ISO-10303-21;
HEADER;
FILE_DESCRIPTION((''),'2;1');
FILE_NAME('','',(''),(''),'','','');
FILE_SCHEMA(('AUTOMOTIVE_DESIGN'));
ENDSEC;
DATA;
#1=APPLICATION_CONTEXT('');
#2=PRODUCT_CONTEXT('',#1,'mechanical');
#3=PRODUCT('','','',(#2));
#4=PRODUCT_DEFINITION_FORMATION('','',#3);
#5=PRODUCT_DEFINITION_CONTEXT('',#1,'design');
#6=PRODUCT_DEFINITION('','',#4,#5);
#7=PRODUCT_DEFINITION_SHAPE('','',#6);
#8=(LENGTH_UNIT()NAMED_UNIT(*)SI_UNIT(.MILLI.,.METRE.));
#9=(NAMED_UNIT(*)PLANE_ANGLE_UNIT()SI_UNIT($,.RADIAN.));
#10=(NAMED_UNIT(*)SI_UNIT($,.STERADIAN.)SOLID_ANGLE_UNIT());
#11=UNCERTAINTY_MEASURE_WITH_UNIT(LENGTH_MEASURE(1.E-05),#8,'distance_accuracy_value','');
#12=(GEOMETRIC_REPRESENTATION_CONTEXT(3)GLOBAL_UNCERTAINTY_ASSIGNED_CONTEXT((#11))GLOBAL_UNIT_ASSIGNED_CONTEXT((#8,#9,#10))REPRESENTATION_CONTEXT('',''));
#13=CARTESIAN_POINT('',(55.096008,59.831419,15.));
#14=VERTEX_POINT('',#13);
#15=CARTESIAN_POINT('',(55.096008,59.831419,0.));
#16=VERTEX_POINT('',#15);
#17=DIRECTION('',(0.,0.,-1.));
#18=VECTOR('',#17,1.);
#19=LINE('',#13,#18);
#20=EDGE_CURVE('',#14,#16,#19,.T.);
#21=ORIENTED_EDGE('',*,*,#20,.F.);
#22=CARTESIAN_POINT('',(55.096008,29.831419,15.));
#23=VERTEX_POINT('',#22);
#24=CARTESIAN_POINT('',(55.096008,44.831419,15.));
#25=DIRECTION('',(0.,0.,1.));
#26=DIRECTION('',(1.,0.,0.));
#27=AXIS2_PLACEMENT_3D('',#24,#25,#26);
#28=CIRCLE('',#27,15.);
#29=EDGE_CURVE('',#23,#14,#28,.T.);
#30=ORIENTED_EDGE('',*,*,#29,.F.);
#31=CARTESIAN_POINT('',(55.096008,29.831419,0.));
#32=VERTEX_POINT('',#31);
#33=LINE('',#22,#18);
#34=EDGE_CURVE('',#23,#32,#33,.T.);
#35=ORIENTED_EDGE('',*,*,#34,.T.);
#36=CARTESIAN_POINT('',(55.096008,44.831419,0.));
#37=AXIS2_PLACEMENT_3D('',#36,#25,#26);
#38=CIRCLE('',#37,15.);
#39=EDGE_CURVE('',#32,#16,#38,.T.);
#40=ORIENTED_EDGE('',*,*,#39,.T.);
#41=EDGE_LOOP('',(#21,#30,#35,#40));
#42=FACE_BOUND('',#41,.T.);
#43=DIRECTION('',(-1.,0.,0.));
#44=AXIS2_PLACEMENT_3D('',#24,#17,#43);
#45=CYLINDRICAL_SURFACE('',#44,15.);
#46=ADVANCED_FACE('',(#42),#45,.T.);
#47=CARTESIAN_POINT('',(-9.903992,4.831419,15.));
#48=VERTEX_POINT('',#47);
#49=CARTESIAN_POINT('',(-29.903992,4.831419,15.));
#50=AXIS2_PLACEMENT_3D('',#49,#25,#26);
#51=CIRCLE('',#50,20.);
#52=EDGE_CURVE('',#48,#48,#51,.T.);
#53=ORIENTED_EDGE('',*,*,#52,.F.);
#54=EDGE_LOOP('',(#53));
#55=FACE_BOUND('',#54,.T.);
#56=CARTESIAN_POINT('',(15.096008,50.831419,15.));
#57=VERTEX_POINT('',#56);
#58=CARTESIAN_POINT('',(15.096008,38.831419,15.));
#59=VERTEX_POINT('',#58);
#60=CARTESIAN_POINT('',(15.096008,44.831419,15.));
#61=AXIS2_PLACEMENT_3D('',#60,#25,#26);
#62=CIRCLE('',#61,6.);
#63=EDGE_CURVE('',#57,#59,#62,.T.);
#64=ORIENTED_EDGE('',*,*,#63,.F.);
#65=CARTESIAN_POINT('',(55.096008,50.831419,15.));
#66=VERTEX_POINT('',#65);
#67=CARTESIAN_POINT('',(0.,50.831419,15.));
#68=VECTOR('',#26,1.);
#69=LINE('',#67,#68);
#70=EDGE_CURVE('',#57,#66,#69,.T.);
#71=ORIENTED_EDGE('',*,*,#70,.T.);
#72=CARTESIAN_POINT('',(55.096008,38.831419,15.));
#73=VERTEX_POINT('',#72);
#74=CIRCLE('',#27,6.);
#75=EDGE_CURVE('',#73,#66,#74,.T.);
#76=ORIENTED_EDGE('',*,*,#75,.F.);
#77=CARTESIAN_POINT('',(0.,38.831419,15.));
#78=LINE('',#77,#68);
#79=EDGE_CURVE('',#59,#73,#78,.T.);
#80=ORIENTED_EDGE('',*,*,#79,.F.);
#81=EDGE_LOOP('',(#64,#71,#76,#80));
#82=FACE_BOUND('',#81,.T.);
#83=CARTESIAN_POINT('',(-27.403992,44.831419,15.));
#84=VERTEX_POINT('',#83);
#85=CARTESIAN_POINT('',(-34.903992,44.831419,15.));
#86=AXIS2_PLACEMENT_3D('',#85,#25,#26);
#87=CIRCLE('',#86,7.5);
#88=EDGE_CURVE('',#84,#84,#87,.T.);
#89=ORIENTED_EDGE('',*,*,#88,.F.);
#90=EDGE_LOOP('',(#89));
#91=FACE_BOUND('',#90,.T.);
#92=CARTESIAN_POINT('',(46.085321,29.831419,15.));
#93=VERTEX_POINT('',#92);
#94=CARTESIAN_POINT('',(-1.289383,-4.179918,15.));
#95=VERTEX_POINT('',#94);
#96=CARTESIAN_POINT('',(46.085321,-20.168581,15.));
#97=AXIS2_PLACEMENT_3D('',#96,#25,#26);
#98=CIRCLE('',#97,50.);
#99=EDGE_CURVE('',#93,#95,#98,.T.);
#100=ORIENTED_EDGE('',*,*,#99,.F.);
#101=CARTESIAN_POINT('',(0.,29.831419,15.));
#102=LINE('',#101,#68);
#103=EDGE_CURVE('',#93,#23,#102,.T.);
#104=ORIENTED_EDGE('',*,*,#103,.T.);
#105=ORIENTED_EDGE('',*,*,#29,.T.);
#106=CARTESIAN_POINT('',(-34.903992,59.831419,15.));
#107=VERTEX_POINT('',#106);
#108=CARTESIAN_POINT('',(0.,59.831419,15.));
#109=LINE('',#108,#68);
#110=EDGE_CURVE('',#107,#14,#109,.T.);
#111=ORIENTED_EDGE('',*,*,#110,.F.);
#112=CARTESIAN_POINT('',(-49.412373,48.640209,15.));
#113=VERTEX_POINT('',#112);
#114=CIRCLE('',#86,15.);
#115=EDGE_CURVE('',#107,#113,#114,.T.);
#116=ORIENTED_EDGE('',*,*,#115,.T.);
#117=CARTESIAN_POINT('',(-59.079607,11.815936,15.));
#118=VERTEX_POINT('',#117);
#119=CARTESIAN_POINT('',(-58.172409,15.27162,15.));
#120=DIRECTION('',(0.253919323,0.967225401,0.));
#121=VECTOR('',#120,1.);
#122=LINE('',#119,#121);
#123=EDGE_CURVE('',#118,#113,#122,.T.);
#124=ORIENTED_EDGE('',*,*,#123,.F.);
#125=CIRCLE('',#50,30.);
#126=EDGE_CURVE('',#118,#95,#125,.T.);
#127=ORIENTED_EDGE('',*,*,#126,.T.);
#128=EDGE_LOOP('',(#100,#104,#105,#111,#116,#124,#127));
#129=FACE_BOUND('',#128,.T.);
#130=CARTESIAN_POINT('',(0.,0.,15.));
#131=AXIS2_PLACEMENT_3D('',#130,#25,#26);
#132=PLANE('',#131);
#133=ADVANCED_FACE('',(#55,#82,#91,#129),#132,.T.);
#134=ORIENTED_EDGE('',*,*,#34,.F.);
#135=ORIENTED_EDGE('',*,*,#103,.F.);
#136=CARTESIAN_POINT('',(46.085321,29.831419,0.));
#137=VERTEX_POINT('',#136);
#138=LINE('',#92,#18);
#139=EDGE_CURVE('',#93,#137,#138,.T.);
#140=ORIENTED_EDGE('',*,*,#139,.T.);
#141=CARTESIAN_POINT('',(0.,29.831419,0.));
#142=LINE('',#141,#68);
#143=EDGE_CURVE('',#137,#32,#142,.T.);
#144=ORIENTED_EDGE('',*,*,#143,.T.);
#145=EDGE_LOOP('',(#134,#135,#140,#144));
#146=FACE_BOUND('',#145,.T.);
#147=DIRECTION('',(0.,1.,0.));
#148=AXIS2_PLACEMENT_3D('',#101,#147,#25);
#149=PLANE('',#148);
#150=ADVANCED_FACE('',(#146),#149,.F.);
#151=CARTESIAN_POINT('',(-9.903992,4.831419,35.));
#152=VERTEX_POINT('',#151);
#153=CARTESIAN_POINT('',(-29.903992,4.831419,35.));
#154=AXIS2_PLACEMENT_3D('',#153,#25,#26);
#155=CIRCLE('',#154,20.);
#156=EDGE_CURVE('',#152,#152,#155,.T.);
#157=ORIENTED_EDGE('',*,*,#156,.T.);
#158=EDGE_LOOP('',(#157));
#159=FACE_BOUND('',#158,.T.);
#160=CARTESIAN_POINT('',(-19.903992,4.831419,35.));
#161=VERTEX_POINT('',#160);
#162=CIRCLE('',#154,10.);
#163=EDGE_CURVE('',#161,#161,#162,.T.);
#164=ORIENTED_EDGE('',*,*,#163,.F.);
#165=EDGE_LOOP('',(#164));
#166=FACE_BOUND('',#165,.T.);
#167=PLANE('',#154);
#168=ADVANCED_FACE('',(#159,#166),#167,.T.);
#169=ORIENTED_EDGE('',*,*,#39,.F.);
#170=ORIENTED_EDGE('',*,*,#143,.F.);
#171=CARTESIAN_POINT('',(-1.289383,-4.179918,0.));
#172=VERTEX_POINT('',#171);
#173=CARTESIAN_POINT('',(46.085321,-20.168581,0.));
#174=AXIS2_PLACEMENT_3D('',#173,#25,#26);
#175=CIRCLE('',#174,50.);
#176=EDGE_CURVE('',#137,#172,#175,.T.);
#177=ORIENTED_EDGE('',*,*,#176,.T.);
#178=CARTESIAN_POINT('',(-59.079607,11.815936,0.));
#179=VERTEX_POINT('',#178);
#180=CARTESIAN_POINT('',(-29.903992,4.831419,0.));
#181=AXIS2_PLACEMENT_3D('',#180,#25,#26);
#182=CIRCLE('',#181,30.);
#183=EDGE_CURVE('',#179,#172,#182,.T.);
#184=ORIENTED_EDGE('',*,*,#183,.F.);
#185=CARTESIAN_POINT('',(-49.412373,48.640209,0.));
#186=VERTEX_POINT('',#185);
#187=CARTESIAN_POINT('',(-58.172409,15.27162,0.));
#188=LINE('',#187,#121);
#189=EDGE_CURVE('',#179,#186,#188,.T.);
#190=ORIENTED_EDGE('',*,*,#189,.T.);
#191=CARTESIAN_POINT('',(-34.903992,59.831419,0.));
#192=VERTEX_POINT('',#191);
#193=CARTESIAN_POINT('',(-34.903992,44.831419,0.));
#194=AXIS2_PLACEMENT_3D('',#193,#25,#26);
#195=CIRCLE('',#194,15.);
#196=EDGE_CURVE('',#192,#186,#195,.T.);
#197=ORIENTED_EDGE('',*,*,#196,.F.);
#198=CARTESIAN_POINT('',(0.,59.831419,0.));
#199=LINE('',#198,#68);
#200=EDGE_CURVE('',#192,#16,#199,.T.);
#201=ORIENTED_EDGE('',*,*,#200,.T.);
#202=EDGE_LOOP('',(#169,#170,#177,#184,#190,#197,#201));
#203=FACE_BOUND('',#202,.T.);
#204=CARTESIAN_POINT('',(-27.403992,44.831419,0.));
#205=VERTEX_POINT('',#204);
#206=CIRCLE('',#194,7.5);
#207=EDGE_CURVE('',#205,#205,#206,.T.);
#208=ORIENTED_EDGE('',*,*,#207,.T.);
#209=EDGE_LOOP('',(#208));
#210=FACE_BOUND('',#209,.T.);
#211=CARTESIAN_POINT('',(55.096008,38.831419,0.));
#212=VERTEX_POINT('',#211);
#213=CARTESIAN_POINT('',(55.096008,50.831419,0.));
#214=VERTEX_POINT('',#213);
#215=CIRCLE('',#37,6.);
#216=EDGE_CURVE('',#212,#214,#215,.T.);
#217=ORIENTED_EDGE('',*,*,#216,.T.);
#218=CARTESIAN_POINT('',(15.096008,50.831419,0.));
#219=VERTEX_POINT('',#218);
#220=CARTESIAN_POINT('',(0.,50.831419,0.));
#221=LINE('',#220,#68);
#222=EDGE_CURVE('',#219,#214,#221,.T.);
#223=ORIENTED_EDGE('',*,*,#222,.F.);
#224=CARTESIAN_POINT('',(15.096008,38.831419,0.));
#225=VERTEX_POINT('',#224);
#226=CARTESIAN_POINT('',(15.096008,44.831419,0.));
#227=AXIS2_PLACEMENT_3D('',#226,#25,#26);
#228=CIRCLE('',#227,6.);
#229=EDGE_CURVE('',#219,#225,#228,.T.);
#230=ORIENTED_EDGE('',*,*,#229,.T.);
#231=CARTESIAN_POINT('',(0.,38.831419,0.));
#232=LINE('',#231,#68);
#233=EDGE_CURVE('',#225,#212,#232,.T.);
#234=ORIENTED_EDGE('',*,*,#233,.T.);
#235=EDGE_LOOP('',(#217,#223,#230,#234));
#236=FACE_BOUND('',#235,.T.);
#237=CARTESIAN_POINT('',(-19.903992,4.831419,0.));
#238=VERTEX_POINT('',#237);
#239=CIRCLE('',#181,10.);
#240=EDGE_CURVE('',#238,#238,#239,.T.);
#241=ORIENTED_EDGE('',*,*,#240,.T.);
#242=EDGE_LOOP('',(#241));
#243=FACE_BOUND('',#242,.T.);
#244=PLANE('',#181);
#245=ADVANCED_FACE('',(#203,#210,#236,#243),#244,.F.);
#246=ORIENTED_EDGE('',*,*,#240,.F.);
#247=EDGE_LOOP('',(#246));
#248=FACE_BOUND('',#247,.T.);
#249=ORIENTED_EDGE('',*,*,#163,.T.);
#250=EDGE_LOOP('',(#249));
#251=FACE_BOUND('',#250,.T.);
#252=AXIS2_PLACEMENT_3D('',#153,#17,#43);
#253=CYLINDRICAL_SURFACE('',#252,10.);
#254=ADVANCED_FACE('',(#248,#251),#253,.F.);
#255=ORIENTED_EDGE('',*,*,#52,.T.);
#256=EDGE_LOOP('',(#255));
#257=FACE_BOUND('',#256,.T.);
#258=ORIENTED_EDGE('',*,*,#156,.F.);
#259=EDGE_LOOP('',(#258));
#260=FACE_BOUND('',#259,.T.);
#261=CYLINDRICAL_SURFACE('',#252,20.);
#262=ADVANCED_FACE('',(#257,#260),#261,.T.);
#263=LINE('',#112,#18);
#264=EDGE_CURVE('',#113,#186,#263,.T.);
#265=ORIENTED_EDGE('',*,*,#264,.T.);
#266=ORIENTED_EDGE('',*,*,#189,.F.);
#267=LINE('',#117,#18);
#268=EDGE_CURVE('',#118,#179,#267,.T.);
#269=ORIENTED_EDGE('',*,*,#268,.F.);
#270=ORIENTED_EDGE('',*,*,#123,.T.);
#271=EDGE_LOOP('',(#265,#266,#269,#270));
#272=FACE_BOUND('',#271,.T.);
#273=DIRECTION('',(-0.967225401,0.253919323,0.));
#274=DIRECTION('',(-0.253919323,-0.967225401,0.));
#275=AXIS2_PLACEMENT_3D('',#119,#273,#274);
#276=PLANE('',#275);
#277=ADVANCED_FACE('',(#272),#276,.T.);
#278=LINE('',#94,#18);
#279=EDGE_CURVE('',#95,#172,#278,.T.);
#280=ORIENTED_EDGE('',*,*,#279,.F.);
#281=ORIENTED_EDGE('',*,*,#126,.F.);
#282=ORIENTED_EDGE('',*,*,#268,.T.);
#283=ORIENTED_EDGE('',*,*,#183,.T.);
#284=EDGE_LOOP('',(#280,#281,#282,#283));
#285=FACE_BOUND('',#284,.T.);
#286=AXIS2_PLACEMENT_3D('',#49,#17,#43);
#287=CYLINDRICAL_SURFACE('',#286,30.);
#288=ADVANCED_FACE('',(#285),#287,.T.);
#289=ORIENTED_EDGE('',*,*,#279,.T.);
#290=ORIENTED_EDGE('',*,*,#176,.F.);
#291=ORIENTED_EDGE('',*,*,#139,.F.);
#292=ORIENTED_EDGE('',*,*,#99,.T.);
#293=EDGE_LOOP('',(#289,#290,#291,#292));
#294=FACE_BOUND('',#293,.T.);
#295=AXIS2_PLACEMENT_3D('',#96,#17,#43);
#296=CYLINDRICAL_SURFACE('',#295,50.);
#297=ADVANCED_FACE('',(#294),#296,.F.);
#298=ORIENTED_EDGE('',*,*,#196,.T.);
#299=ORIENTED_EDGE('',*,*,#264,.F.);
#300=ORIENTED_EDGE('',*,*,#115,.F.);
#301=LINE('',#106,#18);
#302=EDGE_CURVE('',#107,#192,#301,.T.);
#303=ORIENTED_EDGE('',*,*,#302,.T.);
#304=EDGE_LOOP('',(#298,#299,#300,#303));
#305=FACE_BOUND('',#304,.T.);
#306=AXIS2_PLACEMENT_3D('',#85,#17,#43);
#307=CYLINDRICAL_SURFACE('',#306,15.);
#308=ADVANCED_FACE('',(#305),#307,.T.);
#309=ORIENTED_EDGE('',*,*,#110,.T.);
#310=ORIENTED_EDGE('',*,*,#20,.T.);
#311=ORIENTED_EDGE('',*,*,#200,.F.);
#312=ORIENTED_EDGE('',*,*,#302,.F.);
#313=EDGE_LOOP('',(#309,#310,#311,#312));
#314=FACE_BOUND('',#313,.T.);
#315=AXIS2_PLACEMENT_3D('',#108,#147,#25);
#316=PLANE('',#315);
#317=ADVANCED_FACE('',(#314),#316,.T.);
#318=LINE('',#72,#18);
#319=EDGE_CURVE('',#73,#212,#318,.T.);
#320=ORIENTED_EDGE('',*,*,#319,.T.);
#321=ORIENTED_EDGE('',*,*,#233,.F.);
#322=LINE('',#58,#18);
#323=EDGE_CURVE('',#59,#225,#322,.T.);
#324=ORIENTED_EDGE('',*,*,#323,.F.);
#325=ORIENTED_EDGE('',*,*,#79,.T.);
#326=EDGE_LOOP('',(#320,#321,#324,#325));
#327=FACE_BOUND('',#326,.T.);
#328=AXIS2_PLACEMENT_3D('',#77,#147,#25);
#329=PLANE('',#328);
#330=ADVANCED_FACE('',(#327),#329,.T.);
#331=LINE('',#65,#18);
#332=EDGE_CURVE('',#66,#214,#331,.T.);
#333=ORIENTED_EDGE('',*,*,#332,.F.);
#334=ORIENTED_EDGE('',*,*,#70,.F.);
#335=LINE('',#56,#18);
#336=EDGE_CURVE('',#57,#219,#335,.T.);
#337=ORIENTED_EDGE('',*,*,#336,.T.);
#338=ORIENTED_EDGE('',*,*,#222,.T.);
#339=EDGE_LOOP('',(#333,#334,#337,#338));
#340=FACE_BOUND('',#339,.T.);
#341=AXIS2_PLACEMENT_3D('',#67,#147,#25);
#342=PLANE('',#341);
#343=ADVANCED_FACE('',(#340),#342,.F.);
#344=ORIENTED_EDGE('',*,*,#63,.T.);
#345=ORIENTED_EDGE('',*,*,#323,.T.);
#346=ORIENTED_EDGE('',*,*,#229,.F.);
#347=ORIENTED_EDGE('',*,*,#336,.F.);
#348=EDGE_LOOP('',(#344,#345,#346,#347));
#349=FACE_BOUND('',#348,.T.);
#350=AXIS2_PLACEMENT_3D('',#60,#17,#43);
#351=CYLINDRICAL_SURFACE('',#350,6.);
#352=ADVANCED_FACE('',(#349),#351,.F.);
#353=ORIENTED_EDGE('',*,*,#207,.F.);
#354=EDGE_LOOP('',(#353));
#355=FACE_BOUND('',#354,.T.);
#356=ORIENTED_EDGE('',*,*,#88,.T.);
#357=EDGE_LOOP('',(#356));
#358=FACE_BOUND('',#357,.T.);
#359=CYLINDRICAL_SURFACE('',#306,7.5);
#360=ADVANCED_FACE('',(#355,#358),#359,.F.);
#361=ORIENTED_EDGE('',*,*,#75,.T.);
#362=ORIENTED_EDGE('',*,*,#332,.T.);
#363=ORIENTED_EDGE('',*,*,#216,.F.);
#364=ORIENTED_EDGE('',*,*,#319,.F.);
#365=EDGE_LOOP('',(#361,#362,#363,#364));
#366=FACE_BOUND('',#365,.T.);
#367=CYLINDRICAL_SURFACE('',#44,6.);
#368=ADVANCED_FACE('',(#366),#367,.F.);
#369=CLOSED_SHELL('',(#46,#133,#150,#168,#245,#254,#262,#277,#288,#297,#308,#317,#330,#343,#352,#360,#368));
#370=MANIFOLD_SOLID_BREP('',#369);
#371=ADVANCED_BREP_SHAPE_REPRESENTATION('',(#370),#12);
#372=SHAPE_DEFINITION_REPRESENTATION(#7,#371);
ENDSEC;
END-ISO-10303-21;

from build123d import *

# Parameters (mm, degrees)
IZIM1_R                     = 20
Y_KSEKLIK_EKSTR_ZYON1_DEPTH = 35
IZIM1_4_R                   = 20
IZIM1_4_R_2                 = 7.5
Y_KSEKLIK_EKSTR_ZYON2_DEPTH = 15
IZIM1_5_R                   = 10
KES_EKSTR_ZYON1_DEPTH       = 35


with BuildPart() as part:
    # Çizim1 → Yükseklik-Ekstrüzyon1 (new body)
    with BuildSketch(Plane.XY):
        with Locations((-29.903991686, 4.831419272)):
            Circle(IZIM1_R)
    extrude(amount=Y_KSEKLIK_EKSTR_ZYON1_DEPTH)

    # Çizim1<4> → Yükseklik-Ekstrüzyon2 (add)
    with BuildSketch(Plane.XY):
        with BuildLine():
            Line((55.096008314, 59.831419272), (7.146594433, 59.831419272))
            Line((7.146594433, 59.831419272), (-34.903991686, 59.831419272))
            ThreePointArc((-34.903991686, 59.831419272), (-44.065545927, 56.70853693), (-49.412372708, 48.640209122))
            Line((-49.412372708, 48.640209122), (-59.079607017, 11.815935722))
            ThreePointArc((-59.079607017, 11.815935722), (-37.906835858, -24.081458226), (-1.28938346, -4.179917815))
            ThreePointArc((-1.28938346, -4.179917815), (16.92570157, 20.448122398), (46.085321375, 29.831419272))
            Line((46.085321375, 29.831419272), (55.096008314, 29.831419272))
            ThreePointArc((55.096008314, 29.831419272), (70.096008314, 44.831419272), (55.096008314, 59.831419272))
        make_face()
        with Locations((-29.903991686, 4.831419272)):
            Circle(IZIM1_4_R, mode=Mode.SUBTRACT)
        with Locations((-34.903991686, 44.831419272)):
            Circle(IZIM1_4_R_2, mode=Mode.SUBTRACT)
        with BuildLine():
            ThreePointArc((15.096008314, 38.831419272), (9.096008314, 44.831419272), (15.096008314, 50.831419272))
            Line((15.096008314, 50.831419272), (55.096008314, 50.831419272))
            ThreePointArc((55.096008314, 50.831419272), (61.096008314, 44.831419272), (55.096008314, 38.831419272))
            Line((55.096008314, 38.831419272), (15.096008314, 38.831419272))
        make_face(mode=Mode.SUBTRACT)
    extrude(amount=Y_KSEKLIK_EKSTR_ZYON2_DEPTH)

    # Çizim1<5> → Kes-Ekstrüzyon1 (cut)
    with BuildSketch(Plane.XY):
        with Locations((-29.903991686, 4.831419272)):
            Circle(IZIM1_5_R)
    extrude(amount=KES_EKSTR_ZYON1_DEPTH, mode=Mode.SUBTRACT)


solid = part.part
